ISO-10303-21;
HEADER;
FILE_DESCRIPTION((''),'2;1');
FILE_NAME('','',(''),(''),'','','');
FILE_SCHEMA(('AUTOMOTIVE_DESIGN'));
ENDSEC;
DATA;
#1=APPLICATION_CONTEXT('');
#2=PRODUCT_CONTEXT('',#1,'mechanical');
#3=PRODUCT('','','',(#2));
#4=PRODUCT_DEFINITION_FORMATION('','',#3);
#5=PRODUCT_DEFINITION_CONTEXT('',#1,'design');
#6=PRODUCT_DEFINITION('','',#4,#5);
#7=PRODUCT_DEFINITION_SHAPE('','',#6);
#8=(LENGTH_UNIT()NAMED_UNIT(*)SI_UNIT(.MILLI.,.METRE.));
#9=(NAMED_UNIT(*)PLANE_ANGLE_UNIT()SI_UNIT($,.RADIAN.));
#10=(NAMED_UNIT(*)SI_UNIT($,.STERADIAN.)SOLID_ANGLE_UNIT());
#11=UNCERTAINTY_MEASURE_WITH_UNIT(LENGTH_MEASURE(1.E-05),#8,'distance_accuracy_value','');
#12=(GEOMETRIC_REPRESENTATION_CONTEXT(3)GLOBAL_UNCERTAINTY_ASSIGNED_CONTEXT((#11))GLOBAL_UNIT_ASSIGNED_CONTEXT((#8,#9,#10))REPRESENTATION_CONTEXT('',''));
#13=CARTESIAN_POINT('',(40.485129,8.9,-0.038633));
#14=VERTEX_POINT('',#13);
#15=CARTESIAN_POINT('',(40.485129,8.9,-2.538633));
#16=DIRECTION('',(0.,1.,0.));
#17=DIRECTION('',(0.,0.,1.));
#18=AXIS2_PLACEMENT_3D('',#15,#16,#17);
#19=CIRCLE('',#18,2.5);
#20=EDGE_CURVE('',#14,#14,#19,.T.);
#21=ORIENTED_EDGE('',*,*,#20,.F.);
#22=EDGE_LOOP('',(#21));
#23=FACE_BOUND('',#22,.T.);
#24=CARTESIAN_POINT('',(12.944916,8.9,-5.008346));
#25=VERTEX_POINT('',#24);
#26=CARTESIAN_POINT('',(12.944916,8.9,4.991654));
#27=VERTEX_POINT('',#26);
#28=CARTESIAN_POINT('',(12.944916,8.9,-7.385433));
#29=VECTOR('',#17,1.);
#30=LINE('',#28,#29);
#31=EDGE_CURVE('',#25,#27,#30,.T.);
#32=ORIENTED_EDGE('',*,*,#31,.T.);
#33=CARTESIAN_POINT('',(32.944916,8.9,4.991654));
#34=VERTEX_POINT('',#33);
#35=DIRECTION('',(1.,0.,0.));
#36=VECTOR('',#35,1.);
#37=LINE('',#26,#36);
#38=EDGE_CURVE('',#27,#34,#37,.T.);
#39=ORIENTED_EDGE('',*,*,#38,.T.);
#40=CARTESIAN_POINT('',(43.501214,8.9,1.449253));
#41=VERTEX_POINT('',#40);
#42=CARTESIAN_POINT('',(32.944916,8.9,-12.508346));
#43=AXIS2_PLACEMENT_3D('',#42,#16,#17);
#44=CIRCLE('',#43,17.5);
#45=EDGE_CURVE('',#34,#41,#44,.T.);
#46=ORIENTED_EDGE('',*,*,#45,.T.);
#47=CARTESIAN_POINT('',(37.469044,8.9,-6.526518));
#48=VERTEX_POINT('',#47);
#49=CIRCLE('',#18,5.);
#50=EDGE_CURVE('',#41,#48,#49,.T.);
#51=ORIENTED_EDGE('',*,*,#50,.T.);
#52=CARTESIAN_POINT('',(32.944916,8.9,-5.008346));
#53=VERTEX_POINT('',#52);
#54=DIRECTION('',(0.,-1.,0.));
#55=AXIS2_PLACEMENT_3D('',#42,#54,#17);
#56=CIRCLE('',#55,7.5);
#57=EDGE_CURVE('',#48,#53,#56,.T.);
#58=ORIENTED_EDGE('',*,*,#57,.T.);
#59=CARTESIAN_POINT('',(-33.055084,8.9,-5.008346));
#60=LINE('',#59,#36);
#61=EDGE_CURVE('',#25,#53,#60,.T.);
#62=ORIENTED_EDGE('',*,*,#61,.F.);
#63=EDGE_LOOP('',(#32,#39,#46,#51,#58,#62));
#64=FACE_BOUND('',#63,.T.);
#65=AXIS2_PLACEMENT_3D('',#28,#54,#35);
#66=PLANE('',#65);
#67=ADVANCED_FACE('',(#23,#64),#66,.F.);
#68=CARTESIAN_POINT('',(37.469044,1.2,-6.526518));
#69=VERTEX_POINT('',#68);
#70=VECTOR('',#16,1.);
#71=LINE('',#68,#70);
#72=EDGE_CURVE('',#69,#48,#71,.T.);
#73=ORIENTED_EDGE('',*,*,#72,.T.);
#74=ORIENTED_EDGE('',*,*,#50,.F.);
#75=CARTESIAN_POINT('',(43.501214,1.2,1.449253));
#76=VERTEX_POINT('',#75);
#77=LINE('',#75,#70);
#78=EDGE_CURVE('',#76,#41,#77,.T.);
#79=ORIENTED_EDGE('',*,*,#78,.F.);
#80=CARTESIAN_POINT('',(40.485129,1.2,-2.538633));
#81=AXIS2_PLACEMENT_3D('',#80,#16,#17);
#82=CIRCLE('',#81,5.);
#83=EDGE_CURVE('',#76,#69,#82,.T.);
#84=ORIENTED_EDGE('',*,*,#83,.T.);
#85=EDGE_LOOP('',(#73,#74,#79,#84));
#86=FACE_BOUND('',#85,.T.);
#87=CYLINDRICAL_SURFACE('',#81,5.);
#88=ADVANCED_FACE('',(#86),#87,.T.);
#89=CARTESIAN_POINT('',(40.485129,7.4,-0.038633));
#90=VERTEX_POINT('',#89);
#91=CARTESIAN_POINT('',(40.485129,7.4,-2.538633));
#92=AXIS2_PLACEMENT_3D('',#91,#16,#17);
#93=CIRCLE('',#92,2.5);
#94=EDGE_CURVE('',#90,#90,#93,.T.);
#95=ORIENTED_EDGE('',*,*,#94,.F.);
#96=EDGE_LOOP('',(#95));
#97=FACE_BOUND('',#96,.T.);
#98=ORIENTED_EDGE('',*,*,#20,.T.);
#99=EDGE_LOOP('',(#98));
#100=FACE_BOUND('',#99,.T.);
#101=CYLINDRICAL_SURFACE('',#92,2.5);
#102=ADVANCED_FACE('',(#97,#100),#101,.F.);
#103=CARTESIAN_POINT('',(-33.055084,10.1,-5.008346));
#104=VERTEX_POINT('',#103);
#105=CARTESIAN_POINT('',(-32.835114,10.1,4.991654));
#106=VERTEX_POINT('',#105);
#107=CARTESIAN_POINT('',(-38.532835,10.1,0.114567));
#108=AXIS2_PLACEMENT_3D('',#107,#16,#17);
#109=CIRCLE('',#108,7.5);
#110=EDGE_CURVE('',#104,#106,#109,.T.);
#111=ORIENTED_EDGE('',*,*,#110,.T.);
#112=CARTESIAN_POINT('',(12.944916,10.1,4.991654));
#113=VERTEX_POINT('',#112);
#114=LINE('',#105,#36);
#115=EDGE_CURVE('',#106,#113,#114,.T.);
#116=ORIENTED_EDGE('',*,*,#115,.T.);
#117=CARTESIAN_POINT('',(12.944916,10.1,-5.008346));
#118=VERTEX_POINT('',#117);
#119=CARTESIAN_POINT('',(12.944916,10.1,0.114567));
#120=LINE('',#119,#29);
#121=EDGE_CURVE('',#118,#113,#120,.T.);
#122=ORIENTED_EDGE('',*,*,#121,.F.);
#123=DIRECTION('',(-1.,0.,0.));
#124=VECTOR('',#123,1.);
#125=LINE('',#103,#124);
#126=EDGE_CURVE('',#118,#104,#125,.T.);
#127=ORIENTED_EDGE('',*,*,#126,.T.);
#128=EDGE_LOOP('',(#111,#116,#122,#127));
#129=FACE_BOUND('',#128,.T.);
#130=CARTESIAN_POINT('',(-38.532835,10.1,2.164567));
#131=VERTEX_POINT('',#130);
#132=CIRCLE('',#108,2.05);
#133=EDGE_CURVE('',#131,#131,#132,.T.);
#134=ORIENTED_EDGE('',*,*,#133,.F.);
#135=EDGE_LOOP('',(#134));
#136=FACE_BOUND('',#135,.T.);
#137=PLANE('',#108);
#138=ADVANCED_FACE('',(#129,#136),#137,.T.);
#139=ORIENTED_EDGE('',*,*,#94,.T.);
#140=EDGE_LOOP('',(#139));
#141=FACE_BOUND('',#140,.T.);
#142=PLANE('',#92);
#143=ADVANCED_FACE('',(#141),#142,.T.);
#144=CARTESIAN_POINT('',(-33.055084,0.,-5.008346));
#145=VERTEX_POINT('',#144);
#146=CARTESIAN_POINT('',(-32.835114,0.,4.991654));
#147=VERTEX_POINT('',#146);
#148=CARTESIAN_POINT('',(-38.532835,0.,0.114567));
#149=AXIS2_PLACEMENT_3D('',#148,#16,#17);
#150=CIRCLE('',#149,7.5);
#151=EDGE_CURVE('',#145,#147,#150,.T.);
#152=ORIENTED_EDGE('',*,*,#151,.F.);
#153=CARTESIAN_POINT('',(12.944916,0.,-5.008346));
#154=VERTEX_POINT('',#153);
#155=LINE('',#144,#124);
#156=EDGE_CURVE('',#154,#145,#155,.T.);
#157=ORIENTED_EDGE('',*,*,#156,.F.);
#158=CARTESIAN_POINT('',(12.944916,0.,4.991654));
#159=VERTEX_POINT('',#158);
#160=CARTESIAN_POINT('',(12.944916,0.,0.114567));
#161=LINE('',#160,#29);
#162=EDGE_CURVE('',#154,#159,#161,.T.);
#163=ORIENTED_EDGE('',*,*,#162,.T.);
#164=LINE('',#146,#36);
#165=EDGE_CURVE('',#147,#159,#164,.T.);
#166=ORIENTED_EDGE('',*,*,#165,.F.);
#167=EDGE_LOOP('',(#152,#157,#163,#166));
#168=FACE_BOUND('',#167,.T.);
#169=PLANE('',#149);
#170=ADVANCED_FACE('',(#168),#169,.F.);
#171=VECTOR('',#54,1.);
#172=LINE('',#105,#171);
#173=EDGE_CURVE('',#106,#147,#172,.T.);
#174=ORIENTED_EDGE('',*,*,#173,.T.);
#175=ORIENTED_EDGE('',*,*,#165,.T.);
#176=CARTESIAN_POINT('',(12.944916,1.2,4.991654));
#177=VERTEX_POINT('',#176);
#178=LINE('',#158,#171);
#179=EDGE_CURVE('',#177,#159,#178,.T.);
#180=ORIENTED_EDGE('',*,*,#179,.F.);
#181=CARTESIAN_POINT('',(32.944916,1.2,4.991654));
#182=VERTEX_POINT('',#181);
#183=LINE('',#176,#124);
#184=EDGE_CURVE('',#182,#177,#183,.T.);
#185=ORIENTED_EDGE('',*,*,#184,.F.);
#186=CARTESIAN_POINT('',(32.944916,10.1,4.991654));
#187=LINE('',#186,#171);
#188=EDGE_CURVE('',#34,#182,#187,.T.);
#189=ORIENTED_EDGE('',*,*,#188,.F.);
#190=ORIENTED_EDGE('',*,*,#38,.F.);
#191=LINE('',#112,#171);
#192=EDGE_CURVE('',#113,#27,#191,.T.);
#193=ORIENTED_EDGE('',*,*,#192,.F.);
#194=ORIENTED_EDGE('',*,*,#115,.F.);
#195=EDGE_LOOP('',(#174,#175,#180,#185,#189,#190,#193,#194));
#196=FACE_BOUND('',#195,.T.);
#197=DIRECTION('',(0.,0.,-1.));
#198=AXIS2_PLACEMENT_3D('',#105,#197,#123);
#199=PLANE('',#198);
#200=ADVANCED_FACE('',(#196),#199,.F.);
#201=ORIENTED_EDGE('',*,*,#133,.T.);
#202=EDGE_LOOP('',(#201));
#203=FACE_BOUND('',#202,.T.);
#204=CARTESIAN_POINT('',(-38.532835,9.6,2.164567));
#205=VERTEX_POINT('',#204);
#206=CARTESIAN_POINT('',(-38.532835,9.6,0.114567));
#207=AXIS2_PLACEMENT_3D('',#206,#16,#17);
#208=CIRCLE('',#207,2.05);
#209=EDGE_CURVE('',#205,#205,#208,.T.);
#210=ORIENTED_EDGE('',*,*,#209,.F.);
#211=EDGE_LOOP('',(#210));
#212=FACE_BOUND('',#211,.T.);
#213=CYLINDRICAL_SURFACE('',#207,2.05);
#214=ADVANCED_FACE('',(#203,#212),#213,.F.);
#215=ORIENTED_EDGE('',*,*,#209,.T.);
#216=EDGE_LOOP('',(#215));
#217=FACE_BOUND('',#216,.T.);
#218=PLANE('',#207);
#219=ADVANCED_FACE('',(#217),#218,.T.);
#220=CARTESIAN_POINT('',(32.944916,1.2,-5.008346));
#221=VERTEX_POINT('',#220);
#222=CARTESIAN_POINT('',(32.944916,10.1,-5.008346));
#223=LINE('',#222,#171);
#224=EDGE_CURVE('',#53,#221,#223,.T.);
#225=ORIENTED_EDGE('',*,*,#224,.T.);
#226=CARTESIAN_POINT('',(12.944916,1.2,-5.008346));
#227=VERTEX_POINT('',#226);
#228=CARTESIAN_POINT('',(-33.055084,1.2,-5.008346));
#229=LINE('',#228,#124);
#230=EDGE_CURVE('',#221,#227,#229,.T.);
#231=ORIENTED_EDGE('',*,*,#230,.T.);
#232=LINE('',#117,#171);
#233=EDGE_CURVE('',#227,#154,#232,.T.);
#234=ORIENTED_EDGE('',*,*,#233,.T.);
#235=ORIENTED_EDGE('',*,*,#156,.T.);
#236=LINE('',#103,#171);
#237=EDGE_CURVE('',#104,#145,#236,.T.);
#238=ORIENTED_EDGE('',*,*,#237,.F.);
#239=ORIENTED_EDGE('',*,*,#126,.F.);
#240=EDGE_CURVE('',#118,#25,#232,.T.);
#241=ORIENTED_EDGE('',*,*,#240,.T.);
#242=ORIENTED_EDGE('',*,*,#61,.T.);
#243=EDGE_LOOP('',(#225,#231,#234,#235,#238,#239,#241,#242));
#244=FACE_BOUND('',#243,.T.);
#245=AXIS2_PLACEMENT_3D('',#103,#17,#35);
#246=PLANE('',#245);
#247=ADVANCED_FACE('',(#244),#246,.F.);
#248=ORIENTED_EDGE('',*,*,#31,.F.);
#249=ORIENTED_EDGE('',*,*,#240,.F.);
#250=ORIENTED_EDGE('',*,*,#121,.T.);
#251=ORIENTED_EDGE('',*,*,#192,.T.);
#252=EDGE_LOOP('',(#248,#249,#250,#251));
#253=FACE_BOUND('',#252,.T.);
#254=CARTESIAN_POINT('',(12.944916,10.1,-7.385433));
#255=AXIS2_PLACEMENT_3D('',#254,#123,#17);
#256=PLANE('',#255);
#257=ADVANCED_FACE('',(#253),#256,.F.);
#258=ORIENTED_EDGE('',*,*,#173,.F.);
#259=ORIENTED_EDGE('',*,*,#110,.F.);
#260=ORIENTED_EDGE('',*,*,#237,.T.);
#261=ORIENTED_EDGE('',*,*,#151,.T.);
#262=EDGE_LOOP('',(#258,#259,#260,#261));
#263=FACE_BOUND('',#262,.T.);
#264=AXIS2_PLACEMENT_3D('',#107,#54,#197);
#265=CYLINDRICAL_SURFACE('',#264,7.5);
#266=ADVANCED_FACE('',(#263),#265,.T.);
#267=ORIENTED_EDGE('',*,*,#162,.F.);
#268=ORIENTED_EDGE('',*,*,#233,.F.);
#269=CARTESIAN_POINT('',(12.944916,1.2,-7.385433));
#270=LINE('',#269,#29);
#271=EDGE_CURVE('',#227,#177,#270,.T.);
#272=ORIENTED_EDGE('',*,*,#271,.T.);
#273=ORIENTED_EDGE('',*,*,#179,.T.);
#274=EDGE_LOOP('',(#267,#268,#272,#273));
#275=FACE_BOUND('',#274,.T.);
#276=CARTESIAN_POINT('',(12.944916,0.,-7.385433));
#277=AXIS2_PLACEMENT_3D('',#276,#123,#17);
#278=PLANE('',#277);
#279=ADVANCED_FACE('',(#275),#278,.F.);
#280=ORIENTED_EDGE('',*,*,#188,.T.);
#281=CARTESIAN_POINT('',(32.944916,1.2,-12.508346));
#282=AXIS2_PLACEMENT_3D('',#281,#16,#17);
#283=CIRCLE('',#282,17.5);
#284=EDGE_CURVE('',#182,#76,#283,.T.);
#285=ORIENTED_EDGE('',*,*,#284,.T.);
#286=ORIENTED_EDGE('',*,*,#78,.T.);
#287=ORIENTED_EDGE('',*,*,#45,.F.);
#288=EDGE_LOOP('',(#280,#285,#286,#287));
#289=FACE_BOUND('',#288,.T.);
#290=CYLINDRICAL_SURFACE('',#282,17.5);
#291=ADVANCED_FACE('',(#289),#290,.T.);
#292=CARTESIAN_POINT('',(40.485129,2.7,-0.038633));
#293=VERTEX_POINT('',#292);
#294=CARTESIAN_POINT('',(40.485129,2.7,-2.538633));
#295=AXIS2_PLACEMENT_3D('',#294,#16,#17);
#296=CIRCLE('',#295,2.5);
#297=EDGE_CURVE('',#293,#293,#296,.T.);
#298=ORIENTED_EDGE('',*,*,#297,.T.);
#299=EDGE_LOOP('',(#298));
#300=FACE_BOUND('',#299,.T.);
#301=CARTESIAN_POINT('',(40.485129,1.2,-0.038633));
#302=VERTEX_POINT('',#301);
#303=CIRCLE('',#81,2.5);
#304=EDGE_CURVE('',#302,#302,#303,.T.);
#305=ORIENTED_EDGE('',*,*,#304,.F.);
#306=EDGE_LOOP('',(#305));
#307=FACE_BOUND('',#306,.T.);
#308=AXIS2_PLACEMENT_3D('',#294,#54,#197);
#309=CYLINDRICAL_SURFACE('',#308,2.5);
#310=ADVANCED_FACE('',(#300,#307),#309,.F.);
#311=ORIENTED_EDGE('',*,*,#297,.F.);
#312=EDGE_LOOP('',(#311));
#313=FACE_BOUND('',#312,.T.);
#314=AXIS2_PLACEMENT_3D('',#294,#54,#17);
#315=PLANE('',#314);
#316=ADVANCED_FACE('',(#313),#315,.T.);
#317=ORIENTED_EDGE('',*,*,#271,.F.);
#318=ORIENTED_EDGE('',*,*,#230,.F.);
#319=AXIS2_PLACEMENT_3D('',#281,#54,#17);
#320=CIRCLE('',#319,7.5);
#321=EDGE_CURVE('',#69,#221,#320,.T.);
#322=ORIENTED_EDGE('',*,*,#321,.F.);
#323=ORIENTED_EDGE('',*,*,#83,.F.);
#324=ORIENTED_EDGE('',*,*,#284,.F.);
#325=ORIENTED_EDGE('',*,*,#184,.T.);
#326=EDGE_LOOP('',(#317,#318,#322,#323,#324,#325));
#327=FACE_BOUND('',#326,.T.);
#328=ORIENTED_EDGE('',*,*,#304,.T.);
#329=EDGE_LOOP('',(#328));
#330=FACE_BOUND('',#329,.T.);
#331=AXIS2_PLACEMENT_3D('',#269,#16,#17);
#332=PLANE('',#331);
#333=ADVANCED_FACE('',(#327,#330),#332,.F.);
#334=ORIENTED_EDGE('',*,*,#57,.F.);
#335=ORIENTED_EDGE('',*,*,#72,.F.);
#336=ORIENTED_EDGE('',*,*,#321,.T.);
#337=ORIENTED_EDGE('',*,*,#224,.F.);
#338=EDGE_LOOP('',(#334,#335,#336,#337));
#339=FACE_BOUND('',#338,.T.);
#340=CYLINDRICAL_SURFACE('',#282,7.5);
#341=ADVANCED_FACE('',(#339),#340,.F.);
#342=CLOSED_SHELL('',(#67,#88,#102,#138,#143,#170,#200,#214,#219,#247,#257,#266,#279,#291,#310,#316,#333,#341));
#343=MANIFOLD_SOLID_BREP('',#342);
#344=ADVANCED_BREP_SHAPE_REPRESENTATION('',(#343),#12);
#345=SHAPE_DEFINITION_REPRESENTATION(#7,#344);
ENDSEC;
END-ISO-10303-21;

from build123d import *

# Parameters (mm, degrees)
SALIENTE_EXTRUIR1_DEPTH = 10.1
CROQUIS7_R              = 2.05
CORTAR_EXTRUIR1_DEPTH   = 0.5
CROQUIS11_W             = 20
CROQUIS11_H             = 1.2
CORTAR_EXTRUIR4_DEPTH   = 49.726011614
SALIENTE_EXTRUIR2_START = -7.7
SALIENTE_EXTRUIR2_DEPTH = 7.7
CROQUIS15_R             = 2.5
CORTAR_EXTRUIR5_DEPTH   = 1.5


with BuildPart() as part:
    # Croquis1 → Saliente-Extruir1 (new body)
    with BuildSketch(Plane(origin=(0, 0, 0), x_dir=(1, 0, 0), z_dir=(0, 1, 0))):
        with BuildLine():
            Line((-32.835114186, -4.991653889), (32.944915669, -4.991653889))
            Line((32.944915669, -4.991653889), (32.944915669, 5.008346111))
            Line((32.944915669, 5.008346111), (-33.055084331, 5.008346111))
            ThreePointArc((-33.055084331, 5.008346111), (-46.031021583, -0.279505113), (-32.835114186, -4.991653889))
        make_face()
    extrude(amount=SALIENTE_EXTRUIR1_DEPTH)

    # Croquis7 → Cortar-Extruir1 (cut)
    with BuildSketch(Plane(origin=(0, 10.1, 0), x_dir=(1, 0, 0), z_dir=(0, 1, 0))):
        with Locations(Location((-38.532835433, -0.114567403, 0), (0, 0, 270))):
            Circle(CROQUIS7_R)
    extrude(amount=-CORTAR_EXTRUIR1_DEPTH, mode=Mode.SUBTRACT)

    # Croquis11 → Cortar-Extruir4 (cut, through all)
    with BuildSketch(Plane.XY.offset(4.991653889)):
        with Locations((22.944915669, 9.5)):
            Rectangle(CROQUIS11_W, CROQUIS11_H)
        with Locations((22.944915669, 0.6)):
            Rectangle(CROQUIS11_W, CROQUIS11_H)
    extrude(amount=-CORTAR_EXTRUIR4_DEPTH, mode=Mode.SUBTRACT)

    # Croquis14 → Saliente-Extruir2 (add)
    with BuildSketch(Plane(origin=(0, 8.9, 0), x_dir=(1, 0, 0), z_dir=(0, 1, 0)).offset(SALIENTE_EXTRUIR2_START)):
        with BuildLine():
            Line((32.944915669, 5.008346111), (32.944915669, -4.991653889))
            ThreePointArc((32.944915669, -4.991653889), (38.512321796, -4.082434131), (43.501214134, -1.449252634))
            ThreePointArc((43.501214134, -1.449252634), (44.473014214, 5.554717998), (37.469043582, 6.526518077))
            ThreePointArc((37.469043582, 6.526518077), (35.330946866, 5.398011722), (32.944915669, 5.008346111))
        make_face()
    extrude(amount=SALIENTE_EXTRUIR2_DEPTH)

    # Croquis15 → Cortar-Extruir5 (cut)
    with BuildSketch(Plane(origin=(0, 8.9, 0), x_dir=(1, 0, 0), z_dir=(0, 1, 0))):
        with Locations(Location((40.485128858, 2.538632722, 0), (0, 0, 270))):
            Circle(CROQUIS15_R)
    cortar_extruir5 = extrude(amount=-CORTAR_EXTRUIR5_DEPTH, mode=Mode.SUBTRACT)

    # Simetría1: Cortar-Extruir5 across plane
    add(cortar_extruir5.mirror(Plane.ZX.offset(5.05)), mode=Mode.SUBTRACT)


solid = part.part
